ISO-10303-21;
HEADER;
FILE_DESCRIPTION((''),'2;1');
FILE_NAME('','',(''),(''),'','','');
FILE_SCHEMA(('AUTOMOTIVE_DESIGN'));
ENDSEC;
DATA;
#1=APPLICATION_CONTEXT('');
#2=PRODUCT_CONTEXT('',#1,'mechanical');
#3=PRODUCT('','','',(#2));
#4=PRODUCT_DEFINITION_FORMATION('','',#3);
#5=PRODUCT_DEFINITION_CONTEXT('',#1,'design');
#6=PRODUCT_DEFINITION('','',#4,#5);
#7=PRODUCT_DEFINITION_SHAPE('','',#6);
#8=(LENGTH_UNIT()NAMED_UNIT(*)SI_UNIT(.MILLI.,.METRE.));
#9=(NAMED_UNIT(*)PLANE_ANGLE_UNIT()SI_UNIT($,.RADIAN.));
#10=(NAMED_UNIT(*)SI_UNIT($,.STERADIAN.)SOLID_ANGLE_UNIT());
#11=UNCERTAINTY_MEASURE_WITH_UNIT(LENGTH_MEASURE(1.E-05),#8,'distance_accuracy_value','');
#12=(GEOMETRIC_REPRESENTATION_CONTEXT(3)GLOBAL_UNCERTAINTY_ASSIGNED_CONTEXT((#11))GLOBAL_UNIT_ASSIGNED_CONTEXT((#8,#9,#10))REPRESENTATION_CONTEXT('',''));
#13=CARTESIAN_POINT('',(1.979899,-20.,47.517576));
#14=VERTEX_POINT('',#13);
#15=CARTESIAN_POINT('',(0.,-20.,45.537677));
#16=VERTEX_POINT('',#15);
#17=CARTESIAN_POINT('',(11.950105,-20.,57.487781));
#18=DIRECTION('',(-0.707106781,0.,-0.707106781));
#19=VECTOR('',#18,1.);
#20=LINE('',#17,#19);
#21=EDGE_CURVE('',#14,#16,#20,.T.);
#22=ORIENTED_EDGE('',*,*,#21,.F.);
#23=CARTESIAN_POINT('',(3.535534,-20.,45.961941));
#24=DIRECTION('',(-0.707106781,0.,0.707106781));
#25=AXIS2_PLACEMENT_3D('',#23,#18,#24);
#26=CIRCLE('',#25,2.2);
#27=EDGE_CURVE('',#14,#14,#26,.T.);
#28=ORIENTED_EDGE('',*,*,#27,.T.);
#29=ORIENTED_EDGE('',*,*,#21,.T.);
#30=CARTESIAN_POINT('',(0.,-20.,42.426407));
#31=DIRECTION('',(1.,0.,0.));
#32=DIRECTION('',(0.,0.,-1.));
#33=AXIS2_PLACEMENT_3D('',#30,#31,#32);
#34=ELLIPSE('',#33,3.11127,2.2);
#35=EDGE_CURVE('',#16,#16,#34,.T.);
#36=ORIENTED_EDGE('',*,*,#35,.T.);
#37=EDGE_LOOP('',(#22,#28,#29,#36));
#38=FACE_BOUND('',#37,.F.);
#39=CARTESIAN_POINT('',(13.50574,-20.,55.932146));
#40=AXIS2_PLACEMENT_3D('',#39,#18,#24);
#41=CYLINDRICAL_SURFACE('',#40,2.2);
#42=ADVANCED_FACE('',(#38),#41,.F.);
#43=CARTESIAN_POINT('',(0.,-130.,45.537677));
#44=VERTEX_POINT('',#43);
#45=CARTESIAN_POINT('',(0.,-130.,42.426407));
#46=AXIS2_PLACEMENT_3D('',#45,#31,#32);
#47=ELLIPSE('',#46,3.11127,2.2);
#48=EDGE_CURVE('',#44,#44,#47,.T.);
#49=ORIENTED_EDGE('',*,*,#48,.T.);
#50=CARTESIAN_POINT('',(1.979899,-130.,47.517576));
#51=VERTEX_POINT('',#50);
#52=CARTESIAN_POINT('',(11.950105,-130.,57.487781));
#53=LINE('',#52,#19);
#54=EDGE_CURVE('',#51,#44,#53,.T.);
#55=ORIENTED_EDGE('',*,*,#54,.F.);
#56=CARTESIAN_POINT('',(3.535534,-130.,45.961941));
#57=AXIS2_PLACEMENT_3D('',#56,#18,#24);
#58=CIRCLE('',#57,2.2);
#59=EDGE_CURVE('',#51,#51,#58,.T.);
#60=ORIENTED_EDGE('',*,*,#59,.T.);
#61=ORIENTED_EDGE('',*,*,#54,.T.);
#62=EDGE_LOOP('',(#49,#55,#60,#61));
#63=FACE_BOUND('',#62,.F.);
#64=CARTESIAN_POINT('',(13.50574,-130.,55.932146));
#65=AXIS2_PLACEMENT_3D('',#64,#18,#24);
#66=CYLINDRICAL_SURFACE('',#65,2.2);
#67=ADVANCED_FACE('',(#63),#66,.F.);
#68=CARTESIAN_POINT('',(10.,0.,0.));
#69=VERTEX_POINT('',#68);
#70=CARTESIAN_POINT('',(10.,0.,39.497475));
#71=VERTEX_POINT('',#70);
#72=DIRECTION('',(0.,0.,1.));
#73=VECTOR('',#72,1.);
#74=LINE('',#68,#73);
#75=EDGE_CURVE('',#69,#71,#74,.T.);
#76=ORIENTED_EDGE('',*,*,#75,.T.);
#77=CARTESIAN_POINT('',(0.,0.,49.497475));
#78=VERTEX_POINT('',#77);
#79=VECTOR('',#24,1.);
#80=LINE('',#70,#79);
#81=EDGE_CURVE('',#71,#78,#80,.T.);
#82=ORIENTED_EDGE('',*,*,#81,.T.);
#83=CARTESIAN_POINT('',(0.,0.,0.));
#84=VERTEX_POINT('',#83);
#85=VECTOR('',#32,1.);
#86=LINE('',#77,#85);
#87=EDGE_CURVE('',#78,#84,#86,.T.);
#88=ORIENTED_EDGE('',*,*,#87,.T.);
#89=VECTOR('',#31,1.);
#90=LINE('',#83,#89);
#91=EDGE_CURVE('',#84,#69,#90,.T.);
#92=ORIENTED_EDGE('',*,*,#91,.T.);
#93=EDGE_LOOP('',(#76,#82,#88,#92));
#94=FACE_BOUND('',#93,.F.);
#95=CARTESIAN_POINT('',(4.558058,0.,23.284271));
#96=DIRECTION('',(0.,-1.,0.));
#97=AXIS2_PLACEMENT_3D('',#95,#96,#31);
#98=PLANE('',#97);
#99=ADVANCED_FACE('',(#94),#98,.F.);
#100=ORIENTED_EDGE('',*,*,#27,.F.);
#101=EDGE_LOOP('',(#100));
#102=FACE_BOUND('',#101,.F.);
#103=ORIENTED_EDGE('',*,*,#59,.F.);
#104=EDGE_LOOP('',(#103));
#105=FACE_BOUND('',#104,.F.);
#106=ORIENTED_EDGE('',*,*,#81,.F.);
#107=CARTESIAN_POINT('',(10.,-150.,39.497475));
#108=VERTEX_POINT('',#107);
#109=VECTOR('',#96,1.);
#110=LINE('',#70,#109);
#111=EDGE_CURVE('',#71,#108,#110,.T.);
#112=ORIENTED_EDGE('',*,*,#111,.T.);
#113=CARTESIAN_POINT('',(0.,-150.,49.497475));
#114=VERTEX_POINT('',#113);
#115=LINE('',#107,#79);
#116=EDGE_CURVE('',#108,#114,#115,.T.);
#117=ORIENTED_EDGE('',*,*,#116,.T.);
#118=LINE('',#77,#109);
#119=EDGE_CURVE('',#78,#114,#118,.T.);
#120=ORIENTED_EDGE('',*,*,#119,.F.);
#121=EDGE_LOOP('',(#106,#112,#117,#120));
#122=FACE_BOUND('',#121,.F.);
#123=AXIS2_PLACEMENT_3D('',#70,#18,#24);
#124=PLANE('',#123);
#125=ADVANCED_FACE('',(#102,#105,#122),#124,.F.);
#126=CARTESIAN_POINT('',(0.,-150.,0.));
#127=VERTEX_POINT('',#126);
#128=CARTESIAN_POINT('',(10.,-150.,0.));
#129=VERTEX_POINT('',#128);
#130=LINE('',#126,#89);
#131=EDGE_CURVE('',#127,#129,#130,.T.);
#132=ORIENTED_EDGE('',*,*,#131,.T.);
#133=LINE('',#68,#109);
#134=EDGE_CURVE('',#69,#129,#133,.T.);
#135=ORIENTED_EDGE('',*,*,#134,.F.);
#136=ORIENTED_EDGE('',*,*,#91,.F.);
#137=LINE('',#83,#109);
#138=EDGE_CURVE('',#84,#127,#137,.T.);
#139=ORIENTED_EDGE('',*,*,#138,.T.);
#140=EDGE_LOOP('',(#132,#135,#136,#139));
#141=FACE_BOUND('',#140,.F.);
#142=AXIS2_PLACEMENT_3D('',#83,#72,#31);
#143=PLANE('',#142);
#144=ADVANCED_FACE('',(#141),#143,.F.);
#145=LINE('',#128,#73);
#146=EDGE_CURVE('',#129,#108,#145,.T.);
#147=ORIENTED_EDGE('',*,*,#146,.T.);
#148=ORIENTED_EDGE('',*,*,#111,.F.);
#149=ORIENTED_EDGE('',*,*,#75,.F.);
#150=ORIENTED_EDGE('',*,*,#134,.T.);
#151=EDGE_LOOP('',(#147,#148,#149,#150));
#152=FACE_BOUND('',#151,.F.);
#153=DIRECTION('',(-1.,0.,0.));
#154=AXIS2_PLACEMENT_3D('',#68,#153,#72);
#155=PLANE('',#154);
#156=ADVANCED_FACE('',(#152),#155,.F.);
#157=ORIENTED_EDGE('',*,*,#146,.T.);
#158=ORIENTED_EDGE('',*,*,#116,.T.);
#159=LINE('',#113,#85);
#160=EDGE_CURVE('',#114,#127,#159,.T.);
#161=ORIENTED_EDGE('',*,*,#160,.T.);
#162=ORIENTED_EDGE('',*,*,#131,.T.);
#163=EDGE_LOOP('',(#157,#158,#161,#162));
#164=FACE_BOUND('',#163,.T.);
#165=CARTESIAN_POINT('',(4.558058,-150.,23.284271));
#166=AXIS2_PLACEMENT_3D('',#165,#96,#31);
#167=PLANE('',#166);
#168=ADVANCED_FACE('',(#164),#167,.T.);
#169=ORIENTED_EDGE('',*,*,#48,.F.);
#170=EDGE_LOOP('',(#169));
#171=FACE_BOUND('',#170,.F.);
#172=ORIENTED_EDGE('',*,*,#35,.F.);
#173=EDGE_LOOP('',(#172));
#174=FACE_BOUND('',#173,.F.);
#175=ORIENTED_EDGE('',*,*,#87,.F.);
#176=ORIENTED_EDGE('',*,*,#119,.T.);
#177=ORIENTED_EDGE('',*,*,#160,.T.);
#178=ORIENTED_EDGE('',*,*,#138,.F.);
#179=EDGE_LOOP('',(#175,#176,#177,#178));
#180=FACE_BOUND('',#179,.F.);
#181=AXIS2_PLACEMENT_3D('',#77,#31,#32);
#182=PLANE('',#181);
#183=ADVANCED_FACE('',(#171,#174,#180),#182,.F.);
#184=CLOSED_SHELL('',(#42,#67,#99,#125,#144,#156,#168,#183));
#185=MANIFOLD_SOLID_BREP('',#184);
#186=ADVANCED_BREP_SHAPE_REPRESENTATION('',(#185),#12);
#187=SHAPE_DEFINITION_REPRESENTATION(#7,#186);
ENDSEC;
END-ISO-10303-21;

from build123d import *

# Parameters (mm, degrees)
F1_DEPTH = 150
F3_D     = 4.4
F3_DEPTH = 14.1
F3_TIP   = 1.3218933619


with BuildPart() as f1:
    # F0 (on Front) → F1 (new body)
    with BuildSketch(Plane.XZ):
        Polygon((10, 39.4974746831), (0, 49.4974746831), (0, 0), (10, 0), align=None)
    extrude(amount=F1_DEPTH)

    # F3
    with Locations(Plane(origin=(24.7487373415, 0, 24.7487373415), x_dir=(0.7071067812, 0, -0.7071067812), z_dir=(0.7071067812, 0, 0.7071067812))):
        with Locations((-30, -130), (-30, -20)):
            Hole(F3_D / 2, depth=F3_DEPTH)
            with Locations((0, 0, -(F3_DEPTH + F3_TIP / 2))):  # 118° drill point
                Cone(0, F3_D / 2, F3_TIP, mode=Mode.SUBTRACT)


solid = f1.part
